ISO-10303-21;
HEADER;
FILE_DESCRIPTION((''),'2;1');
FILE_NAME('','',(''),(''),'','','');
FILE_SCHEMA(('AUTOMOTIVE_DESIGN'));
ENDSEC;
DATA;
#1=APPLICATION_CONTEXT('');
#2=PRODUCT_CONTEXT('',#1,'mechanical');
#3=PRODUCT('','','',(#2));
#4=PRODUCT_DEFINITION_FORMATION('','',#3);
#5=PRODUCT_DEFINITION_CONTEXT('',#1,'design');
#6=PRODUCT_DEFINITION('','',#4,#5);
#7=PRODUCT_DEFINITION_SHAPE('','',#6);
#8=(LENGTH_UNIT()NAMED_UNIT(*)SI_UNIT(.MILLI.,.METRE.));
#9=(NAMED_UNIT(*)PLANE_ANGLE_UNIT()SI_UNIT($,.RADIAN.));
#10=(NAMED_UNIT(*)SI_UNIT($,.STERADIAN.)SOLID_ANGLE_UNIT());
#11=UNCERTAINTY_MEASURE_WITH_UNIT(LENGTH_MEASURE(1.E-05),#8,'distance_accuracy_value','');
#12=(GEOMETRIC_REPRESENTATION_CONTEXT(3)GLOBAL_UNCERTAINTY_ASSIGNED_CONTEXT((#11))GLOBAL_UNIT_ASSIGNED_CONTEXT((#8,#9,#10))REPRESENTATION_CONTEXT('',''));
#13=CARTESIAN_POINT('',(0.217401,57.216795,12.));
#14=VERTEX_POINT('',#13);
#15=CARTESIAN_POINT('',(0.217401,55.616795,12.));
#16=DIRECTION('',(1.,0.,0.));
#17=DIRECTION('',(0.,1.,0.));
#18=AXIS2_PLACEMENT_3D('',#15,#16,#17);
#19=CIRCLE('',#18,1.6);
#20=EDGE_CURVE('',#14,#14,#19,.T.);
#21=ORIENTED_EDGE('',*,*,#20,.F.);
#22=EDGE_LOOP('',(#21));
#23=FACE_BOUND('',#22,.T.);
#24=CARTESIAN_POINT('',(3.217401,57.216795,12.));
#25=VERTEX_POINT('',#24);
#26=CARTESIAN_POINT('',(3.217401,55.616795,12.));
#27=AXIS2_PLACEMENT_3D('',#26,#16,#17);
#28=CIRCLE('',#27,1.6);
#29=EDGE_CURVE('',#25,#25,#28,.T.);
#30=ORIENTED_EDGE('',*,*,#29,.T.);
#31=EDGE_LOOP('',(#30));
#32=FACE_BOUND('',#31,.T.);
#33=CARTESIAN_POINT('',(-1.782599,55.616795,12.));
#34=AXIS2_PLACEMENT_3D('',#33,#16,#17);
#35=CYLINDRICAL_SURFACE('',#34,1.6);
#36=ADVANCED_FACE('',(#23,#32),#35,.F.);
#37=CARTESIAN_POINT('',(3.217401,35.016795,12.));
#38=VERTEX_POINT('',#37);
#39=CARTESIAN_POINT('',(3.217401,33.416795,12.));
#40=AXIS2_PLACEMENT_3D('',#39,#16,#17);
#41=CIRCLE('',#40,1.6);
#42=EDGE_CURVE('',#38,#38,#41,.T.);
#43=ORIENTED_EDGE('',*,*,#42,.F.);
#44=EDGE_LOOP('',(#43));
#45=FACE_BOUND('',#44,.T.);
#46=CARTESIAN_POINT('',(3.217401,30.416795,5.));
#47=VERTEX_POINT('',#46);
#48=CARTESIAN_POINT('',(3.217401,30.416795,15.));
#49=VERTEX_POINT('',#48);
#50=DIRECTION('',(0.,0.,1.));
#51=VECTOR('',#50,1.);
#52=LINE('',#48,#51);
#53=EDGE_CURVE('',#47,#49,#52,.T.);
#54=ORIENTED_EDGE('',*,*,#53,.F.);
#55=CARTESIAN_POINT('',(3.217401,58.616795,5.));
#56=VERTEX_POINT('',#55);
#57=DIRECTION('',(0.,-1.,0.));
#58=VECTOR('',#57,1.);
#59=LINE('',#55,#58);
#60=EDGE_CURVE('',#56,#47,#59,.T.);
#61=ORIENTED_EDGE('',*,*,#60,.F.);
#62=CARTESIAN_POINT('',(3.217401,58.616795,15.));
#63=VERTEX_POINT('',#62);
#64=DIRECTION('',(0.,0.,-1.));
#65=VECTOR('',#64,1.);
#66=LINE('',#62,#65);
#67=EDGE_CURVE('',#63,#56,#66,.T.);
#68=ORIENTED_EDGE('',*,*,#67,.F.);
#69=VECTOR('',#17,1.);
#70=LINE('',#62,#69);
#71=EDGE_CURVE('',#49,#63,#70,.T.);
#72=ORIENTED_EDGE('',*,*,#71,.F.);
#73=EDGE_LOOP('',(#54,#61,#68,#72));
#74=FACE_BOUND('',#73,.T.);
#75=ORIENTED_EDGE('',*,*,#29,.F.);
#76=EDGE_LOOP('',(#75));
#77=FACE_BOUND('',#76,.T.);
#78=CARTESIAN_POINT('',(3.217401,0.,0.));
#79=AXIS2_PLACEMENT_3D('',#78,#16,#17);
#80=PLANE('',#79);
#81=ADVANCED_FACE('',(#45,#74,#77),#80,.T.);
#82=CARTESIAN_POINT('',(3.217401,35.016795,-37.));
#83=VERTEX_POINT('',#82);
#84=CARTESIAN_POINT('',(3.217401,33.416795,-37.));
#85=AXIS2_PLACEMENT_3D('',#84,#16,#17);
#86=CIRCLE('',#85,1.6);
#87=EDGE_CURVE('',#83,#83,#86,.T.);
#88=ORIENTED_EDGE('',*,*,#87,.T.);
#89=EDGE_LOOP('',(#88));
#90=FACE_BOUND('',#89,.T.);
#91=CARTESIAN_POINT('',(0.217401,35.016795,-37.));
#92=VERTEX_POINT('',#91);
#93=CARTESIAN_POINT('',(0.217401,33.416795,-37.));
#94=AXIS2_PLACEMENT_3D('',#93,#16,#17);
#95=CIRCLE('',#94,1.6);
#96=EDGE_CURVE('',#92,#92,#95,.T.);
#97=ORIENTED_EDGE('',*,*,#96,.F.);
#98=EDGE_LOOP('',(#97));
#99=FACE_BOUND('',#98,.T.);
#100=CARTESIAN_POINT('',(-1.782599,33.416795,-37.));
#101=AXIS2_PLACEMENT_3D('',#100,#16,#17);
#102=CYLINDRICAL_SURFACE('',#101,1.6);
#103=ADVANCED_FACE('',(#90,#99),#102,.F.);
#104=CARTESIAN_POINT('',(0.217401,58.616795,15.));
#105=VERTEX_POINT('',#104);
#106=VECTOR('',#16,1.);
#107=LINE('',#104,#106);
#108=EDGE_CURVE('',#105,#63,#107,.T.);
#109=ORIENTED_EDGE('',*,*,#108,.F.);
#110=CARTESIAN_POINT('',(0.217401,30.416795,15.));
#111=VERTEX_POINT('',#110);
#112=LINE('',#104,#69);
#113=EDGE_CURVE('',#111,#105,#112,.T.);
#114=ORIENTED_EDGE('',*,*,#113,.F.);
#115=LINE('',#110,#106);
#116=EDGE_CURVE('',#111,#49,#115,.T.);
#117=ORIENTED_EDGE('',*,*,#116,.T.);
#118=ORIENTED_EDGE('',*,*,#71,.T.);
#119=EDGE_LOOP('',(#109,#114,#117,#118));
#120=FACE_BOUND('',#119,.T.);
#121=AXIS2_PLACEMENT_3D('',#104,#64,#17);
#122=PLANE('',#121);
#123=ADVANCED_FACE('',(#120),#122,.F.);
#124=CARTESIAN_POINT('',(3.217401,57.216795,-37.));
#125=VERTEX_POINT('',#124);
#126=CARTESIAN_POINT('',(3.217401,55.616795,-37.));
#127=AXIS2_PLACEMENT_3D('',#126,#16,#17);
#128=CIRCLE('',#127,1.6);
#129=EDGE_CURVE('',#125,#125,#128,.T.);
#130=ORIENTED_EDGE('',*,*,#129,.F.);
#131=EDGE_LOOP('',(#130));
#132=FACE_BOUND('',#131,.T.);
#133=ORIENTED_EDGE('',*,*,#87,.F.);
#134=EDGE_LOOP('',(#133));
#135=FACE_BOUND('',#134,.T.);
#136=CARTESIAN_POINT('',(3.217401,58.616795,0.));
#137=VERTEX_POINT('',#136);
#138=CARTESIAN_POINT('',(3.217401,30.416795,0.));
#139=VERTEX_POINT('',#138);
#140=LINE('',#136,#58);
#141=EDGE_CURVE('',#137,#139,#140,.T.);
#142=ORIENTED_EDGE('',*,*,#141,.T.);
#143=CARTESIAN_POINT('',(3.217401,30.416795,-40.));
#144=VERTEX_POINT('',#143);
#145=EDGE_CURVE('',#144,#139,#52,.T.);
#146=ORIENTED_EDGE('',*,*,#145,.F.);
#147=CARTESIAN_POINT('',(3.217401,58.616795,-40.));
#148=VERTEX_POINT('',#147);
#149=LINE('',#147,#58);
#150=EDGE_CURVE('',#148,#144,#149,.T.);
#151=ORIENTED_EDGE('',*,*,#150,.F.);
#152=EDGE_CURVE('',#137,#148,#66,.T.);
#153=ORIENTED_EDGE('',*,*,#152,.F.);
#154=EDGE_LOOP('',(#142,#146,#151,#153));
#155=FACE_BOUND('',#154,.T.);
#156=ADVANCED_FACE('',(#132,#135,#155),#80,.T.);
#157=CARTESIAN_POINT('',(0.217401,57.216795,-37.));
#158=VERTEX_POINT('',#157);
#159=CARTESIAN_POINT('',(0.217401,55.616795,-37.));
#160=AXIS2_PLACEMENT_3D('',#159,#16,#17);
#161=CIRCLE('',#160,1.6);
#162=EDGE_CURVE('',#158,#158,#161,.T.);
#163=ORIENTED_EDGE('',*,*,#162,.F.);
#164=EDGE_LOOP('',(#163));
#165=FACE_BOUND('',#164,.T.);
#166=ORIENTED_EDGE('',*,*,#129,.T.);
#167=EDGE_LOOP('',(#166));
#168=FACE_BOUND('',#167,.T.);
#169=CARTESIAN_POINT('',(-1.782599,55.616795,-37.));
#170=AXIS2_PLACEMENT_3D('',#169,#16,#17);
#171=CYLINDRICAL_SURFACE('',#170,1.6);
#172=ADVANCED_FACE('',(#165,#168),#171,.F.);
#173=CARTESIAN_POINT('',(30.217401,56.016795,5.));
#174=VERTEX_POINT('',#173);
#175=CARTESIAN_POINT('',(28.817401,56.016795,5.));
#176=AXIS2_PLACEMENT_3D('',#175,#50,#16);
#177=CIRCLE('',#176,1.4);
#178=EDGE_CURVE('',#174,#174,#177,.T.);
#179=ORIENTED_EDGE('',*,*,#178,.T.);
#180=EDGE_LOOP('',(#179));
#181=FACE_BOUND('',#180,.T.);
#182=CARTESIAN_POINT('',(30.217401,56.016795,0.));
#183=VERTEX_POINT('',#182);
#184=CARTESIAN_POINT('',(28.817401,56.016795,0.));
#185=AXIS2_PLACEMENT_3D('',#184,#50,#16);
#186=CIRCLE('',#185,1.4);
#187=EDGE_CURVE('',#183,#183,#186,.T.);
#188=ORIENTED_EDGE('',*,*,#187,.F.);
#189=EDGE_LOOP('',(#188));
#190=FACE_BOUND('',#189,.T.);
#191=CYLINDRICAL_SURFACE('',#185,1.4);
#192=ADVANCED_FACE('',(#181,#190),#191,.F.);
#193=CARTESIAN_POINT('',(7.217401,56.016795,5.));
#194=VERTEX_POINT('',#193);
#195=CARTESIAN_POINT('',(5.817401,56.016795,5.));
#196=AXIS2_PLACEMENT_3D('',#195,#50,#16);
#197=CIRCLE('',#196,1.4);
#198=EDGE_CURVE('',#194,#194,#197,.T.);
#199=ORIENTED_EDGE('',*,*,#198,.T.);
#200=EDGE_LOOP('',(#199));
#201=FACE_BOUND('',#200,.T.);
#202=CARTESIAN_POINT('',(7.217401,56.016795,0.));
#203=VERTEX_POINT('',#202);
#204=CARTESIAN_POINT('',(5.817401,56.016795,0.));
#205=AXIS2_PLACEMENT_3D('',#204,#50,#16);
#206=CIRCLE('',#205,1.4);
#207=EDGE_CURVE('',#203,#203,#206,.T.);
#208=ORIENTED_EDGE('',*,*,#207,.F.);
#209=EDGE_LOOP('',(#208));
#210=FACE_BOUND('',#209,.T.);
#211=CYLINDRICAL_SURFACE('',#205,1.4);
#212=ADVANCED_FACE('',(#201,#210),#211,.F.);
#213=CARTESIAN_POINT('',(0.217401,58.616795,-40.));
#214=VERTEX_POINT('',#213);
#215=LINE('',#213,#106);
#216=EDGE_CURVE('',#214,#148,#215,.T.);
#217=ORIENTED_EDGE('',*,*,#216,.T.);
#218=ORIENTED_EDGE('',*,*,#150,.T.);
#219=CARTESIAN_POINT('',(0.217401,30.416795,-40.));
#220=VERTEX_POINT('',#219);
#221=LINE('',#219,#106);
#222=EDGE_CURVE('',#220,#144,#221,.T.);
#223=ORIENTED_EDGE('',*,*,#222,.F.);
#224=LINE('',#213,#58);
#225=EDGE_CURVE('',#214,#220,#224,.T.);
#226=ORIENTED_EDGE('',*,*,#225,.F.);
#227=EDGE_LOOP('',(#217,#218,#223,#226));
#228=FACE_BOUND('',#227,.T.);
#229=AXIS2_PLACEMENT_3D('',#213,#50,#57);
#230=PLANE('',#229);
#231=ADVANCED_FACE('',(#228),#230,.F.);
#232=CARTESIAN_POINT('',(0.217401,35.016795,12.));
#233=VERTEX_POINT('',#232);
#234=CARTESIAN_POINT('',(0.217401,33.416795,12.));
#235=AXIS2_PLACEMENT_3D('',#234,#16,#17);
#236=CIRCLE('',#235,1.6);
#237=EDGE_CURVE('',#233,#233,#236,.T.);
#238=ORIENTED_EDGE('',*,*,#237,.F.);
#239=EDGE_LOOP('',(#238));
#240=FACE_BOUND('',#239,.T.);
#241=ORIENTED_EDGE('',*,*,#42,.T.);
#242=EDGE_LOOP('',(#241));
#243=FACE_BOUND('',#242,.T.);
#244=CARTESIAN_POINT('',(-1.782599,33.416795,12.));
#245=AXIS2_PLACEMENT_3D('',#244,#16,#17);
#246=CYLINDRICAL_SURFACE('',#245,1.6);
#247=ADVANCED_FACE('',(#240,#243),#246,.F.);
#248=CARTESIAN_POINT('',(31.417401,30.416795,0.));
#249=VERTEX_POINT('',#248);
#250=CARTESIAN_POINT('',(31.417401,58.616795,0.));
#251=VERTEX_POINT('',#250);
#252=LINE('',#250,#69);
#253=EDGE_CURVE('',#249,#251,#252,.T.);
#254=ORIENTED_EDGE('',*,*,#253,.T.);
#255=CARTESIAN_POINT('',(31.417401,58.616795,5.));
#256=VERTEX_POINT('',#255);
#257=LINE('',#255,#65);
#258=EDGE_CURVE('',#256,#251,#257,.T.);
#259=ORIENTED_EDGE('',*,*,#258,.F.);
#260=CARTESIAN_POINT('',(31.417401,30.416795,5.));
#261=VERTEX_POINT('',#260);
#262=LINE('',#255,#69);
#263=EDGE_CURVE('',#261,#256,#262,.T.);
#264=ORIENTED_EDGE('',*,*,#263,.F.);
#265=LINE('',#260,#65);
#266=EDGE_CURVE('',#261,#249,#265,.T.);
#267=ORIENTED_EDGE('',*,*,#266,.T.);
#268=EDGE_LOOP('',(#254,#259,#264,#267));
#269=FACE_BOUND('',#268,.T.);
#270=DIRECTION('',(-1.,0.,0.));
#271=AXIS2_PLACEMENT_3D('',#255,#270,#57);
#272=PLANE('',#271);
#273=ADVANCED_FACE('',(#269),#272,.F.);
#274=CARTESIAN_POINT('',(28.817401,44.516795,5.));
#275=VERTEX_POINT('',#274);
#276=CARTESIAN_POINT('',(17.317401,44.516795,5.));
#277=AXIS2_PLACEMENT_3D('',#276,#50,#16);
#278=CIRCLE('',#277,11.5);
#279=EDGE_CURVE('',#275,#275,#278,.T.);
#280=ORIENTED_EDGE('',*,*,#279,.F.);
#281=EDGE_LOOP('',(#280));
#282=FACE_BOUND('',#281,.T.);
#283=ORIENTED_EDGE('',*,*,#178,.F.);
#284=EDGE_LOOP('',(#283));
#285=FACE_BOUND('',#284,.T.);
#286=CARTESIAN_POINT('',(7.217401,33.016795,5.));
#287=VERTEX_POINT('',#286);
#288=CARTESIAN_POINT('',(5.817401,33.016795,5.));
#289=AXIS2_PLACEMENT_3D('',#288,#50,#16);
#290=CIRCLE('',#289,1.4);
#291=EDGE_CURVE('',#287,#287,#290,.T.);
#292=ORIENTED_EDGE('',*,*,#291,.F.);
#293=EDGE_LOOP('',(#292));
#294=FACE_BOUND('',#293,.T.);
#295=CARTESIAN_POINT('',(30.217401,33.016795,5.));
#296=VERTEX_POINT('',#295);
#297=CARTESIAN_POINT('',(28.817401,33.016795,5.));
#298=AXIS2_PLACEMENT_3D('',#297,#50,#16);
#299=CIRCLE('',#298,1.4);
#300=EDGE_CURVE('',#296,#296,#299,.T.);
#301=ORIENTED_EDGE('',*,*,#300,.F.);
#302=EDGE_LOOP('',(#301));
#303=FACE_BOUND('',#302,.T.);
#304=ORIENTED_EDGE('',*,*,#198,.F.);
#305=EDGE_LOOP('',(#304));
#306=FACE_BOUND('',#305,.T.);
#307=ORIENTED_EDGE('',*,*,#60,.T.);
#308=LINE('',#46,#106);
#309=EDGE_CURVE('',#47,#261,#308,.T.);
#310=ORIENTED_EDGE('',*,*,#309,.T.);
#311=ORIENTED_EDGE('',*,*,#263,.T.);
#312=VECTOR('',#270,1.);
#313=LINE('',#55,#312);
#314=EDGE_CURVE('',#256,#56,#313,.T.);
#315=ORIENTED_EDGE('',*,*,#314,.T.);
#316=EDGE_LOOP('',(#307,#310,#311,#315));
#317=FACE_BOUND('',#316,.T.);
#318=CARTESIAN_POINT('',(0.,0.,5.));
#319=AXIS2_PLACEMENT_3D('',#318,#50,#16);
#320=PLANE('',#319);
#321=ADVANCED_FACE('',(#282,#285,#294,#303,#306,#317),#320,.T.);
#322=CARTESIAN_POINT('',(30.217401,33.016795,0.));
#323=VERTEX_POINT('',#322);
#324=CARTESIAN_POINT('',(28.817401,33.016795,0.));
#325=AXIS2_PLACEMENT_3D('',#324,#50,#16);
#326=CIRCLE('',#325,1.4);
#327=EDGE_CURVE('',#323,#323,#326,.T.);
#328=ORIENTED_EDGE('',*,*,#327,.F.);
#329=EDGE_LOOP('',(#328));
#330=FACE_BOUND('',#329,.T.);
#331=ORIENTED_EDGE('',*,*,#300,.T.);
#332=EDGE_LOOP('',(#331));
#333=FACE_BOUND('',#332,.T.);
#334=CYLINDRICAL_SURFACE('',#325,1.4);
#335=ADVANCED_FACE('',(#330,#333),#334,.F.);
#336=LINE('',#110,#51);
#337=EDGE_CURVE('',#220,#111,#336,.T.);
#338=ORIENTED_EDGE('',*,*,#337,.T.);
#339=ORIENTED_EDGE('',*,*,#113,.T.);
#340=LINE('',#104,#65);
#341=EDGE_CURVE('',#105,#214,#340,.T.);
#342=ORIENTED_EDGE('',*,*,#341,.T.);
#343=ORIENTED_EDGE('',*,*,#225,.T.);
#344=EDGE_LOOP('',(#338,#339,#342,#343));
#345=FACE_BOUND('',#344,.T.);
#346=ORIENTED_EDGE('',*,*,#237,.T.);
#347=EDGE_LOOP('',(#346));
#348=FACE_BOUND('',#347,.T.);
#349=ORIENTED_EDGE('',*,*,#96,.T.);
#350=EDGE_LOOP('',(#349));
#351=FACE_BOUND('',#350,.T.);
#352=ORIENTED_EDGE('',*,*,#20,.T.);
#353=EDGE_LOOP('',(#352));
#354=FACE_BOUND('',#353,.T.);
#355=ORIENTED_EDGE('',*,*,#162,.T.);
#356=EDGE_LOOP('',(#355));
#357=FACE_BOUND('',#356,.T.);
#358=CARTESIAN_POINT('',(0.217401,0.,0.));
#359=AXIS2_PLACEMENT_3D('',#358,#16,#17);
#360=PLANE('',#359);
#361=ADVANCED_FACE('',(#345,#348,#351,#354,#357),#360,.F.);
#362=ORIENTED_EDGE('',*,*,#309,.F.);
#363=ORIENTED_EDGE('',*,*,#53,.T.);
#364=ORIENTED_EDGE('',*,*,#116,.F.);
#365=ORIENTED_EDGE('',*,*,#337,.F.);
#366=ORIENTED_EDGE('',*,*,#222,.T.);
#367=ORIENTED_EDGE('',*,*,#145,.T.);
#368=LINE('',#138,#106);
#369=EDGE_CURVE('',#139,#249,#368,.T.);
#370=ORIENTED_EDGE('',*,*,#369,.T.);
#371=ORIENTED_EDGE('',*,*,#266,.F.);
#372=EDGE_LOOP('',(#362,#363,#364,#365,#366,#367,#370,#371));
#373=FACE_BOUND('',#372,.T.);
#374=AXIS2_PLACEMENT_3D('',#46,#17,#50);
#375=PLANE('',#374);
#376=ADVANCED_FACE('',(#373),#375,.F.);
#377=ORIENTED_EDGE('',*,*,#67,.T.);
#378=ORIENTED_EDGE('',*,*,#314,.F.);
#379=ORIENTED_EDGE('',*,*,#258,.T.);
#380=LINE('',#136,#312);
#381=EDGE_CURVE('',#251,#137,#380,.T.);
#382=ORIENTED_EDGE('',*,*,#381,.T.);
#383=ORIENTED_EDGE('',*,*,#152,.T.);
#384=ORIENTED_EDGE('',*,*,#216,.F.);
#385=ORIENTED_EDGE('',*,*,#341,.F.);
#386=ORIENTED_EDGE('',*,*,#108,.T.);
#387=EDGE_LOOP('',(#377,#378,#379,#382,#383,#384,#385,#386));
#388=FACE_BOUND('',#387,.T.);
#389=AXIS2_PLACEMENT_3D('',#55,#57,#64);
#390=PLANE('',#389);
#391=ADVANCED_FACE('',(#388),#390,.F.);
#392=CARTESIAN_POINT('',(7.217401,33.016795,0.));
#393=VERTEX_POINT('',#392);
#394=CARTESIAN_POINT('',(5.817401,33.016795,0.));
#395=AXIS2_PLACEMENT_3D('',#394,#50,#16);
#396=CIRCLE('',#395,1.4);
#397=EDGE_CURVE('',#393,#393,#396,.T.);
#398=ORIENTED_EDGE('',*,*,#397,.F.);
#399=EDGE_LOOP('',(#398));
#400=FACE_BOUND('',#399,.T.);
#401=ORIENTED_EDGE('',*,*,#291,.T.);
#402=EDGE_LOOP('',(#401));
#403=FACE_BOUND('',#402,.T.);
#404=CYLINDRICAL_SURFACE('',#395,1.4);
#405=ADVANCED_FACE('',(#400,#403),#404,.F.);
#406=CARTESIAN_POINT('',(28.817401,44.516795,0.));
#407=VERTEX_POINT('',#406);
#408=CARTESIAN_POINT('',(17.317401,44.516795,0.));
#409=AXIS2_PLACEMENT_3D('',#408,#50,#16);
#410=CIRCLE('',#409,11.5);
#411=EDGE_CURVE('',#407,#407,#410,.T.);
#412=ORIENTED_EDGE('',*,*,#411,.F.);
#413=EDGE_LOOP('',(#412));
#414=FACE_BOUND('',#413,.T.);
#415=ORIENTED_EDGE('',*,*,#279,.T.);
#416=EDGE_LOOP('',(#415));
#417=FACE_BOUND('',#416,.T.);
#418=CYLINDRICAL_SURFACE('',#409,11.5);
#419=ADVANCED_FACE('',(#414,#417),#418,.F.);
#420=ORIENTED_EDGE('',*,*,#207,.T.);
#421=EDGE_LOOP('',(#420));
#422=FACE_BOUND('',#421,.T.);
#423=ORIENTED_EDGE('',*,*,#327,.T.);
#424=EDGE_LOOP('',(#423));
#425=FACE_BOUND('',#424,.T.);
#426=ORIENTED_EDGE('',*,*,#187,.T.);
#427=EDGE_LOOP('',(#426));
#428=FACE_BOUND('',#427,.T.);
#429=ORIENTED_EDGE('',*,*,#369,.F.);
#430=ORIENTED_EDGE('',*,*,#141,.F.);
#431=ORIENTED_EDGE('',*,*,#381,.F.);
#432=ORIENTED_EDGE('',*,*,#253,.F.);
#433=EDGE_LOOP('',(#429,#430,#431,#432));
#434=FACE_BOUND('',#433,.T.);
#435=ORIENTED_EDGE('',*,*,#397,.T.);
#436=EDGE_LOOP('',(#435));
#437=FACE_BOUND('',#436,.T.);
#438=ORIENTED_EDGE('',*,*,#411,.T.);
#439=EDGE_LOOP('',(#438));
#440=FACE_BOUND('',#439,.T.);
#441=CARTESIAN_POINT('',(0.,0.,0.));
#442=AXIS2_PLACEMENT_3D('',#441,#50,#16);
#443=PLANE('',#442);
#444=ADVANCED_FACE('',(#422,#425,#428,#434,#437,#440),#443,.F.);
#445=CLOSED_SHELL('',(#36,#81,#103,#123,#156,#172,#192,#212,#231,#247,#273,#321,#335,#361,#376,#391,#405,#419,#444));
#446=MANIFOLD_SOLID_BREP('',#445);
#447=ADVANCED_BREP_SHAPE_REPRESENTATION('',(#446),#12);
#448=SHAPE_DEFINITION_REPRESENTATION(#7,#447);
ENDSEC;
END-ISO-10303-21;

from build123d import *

# Parameters (mm, degrees)
SKETCH2_W           = 28.2
SKETCH2_H           = 28.2
BOSS_EXTRUDE1_DEPTH = 5
SKETCH3_R           = 1.4
CUT_EXTRUDE1_DEPTH  = 5
SKETCH4_R           = 11.5
CUT_EXTRUDE2_DEPTH  = 5
SKETCH7_W           = 55
SKETCH7_H           = 28.2
BOSS_EXTRUDE2_DEPTH = 3
SKETCH10_R          = 1.6
CUT_EXTRUDE7_DEPTH  = 5


with BuildPart() as part:
    # Sketch2 → Boss-Extrude1 (new body)
    with BuildSketch(Plane.XY):
        with Locations((17.317401284, 44.516795377)):
            Rectangle(SKETCH2_W, SKETCH2_H)
    extrude(amount=BOSS_EXTRUDE1_DEPTH)

    # Sketch3 → Cut-Extrude1 (cut)
    with BuildSketch(Plane.XY.offset(5)):
        with Locations((5.817401284, 56.016795377)):
            Circle(SKETCH3_R)
        with Locations((28.817401284, 56.016795377)):
            Circle(SKETCH3_R)
        with Locations((28.817401284, 33.016795377)):
            Circle(SKETCH3_R)
        with Locations((5.817401284, 33.016795377)):
            Circle(SKETCH3_R)
    extrude(amount=-CUT_EXTRUDE1_DEPTH, mode=Mode.SUBTRACT)

    # Sketch4 → Cut-Extrude2 (cut)
    with BuildSketch(Plane.XY.offset(5)):
        with Locations((17.317401284, 44.516795377)):
            Circle(SKETCH4_R)
    extrude(amount=-CUT_EXTRUDE2_DEPTH, mode=Mode.SUBTRACT)

    # Sketch7 → Boss-Extrude2 (add)
    with BuildSketch(Plane.ZY.offset(-3.217401284)):
        with Locations((-12.5, 44.516795377)):
            Rectangle(SKETCH7_W, SKETCH7_H)
    extrude(amount=BOSS_EXTRUDE2_DEPTH)

    # Sketch10 → Cut-Extrude7 (cut)
    with BuildSketch(Plane(origin=(3.217401284, 0, 0), x_dir=(0, 0, -1), z_dir=(1, 0, 0))):
        with Locations(Location((37, 55.616795377, 0), (0, 0, 90))):
            Circle(SKETCH10_R)
        with Locations(Location((37, 33.416795377, 0), (0, 0, 90))):
            Circle(SKETCH10_R)
        with Locations(Location((-12, 55.616795377, 0), (0, 0, 90))):
            Circle(SKETCH10_R)
        with Locations(Location((-12, 33.416795377, 0), (0, 0, 90))):
            Circle(SKETCH10_R)
    extrude(amount=-CUT_EXTRUDE7_DEPTH, mode=Mode.SUBTRACT)


solid = part.part
